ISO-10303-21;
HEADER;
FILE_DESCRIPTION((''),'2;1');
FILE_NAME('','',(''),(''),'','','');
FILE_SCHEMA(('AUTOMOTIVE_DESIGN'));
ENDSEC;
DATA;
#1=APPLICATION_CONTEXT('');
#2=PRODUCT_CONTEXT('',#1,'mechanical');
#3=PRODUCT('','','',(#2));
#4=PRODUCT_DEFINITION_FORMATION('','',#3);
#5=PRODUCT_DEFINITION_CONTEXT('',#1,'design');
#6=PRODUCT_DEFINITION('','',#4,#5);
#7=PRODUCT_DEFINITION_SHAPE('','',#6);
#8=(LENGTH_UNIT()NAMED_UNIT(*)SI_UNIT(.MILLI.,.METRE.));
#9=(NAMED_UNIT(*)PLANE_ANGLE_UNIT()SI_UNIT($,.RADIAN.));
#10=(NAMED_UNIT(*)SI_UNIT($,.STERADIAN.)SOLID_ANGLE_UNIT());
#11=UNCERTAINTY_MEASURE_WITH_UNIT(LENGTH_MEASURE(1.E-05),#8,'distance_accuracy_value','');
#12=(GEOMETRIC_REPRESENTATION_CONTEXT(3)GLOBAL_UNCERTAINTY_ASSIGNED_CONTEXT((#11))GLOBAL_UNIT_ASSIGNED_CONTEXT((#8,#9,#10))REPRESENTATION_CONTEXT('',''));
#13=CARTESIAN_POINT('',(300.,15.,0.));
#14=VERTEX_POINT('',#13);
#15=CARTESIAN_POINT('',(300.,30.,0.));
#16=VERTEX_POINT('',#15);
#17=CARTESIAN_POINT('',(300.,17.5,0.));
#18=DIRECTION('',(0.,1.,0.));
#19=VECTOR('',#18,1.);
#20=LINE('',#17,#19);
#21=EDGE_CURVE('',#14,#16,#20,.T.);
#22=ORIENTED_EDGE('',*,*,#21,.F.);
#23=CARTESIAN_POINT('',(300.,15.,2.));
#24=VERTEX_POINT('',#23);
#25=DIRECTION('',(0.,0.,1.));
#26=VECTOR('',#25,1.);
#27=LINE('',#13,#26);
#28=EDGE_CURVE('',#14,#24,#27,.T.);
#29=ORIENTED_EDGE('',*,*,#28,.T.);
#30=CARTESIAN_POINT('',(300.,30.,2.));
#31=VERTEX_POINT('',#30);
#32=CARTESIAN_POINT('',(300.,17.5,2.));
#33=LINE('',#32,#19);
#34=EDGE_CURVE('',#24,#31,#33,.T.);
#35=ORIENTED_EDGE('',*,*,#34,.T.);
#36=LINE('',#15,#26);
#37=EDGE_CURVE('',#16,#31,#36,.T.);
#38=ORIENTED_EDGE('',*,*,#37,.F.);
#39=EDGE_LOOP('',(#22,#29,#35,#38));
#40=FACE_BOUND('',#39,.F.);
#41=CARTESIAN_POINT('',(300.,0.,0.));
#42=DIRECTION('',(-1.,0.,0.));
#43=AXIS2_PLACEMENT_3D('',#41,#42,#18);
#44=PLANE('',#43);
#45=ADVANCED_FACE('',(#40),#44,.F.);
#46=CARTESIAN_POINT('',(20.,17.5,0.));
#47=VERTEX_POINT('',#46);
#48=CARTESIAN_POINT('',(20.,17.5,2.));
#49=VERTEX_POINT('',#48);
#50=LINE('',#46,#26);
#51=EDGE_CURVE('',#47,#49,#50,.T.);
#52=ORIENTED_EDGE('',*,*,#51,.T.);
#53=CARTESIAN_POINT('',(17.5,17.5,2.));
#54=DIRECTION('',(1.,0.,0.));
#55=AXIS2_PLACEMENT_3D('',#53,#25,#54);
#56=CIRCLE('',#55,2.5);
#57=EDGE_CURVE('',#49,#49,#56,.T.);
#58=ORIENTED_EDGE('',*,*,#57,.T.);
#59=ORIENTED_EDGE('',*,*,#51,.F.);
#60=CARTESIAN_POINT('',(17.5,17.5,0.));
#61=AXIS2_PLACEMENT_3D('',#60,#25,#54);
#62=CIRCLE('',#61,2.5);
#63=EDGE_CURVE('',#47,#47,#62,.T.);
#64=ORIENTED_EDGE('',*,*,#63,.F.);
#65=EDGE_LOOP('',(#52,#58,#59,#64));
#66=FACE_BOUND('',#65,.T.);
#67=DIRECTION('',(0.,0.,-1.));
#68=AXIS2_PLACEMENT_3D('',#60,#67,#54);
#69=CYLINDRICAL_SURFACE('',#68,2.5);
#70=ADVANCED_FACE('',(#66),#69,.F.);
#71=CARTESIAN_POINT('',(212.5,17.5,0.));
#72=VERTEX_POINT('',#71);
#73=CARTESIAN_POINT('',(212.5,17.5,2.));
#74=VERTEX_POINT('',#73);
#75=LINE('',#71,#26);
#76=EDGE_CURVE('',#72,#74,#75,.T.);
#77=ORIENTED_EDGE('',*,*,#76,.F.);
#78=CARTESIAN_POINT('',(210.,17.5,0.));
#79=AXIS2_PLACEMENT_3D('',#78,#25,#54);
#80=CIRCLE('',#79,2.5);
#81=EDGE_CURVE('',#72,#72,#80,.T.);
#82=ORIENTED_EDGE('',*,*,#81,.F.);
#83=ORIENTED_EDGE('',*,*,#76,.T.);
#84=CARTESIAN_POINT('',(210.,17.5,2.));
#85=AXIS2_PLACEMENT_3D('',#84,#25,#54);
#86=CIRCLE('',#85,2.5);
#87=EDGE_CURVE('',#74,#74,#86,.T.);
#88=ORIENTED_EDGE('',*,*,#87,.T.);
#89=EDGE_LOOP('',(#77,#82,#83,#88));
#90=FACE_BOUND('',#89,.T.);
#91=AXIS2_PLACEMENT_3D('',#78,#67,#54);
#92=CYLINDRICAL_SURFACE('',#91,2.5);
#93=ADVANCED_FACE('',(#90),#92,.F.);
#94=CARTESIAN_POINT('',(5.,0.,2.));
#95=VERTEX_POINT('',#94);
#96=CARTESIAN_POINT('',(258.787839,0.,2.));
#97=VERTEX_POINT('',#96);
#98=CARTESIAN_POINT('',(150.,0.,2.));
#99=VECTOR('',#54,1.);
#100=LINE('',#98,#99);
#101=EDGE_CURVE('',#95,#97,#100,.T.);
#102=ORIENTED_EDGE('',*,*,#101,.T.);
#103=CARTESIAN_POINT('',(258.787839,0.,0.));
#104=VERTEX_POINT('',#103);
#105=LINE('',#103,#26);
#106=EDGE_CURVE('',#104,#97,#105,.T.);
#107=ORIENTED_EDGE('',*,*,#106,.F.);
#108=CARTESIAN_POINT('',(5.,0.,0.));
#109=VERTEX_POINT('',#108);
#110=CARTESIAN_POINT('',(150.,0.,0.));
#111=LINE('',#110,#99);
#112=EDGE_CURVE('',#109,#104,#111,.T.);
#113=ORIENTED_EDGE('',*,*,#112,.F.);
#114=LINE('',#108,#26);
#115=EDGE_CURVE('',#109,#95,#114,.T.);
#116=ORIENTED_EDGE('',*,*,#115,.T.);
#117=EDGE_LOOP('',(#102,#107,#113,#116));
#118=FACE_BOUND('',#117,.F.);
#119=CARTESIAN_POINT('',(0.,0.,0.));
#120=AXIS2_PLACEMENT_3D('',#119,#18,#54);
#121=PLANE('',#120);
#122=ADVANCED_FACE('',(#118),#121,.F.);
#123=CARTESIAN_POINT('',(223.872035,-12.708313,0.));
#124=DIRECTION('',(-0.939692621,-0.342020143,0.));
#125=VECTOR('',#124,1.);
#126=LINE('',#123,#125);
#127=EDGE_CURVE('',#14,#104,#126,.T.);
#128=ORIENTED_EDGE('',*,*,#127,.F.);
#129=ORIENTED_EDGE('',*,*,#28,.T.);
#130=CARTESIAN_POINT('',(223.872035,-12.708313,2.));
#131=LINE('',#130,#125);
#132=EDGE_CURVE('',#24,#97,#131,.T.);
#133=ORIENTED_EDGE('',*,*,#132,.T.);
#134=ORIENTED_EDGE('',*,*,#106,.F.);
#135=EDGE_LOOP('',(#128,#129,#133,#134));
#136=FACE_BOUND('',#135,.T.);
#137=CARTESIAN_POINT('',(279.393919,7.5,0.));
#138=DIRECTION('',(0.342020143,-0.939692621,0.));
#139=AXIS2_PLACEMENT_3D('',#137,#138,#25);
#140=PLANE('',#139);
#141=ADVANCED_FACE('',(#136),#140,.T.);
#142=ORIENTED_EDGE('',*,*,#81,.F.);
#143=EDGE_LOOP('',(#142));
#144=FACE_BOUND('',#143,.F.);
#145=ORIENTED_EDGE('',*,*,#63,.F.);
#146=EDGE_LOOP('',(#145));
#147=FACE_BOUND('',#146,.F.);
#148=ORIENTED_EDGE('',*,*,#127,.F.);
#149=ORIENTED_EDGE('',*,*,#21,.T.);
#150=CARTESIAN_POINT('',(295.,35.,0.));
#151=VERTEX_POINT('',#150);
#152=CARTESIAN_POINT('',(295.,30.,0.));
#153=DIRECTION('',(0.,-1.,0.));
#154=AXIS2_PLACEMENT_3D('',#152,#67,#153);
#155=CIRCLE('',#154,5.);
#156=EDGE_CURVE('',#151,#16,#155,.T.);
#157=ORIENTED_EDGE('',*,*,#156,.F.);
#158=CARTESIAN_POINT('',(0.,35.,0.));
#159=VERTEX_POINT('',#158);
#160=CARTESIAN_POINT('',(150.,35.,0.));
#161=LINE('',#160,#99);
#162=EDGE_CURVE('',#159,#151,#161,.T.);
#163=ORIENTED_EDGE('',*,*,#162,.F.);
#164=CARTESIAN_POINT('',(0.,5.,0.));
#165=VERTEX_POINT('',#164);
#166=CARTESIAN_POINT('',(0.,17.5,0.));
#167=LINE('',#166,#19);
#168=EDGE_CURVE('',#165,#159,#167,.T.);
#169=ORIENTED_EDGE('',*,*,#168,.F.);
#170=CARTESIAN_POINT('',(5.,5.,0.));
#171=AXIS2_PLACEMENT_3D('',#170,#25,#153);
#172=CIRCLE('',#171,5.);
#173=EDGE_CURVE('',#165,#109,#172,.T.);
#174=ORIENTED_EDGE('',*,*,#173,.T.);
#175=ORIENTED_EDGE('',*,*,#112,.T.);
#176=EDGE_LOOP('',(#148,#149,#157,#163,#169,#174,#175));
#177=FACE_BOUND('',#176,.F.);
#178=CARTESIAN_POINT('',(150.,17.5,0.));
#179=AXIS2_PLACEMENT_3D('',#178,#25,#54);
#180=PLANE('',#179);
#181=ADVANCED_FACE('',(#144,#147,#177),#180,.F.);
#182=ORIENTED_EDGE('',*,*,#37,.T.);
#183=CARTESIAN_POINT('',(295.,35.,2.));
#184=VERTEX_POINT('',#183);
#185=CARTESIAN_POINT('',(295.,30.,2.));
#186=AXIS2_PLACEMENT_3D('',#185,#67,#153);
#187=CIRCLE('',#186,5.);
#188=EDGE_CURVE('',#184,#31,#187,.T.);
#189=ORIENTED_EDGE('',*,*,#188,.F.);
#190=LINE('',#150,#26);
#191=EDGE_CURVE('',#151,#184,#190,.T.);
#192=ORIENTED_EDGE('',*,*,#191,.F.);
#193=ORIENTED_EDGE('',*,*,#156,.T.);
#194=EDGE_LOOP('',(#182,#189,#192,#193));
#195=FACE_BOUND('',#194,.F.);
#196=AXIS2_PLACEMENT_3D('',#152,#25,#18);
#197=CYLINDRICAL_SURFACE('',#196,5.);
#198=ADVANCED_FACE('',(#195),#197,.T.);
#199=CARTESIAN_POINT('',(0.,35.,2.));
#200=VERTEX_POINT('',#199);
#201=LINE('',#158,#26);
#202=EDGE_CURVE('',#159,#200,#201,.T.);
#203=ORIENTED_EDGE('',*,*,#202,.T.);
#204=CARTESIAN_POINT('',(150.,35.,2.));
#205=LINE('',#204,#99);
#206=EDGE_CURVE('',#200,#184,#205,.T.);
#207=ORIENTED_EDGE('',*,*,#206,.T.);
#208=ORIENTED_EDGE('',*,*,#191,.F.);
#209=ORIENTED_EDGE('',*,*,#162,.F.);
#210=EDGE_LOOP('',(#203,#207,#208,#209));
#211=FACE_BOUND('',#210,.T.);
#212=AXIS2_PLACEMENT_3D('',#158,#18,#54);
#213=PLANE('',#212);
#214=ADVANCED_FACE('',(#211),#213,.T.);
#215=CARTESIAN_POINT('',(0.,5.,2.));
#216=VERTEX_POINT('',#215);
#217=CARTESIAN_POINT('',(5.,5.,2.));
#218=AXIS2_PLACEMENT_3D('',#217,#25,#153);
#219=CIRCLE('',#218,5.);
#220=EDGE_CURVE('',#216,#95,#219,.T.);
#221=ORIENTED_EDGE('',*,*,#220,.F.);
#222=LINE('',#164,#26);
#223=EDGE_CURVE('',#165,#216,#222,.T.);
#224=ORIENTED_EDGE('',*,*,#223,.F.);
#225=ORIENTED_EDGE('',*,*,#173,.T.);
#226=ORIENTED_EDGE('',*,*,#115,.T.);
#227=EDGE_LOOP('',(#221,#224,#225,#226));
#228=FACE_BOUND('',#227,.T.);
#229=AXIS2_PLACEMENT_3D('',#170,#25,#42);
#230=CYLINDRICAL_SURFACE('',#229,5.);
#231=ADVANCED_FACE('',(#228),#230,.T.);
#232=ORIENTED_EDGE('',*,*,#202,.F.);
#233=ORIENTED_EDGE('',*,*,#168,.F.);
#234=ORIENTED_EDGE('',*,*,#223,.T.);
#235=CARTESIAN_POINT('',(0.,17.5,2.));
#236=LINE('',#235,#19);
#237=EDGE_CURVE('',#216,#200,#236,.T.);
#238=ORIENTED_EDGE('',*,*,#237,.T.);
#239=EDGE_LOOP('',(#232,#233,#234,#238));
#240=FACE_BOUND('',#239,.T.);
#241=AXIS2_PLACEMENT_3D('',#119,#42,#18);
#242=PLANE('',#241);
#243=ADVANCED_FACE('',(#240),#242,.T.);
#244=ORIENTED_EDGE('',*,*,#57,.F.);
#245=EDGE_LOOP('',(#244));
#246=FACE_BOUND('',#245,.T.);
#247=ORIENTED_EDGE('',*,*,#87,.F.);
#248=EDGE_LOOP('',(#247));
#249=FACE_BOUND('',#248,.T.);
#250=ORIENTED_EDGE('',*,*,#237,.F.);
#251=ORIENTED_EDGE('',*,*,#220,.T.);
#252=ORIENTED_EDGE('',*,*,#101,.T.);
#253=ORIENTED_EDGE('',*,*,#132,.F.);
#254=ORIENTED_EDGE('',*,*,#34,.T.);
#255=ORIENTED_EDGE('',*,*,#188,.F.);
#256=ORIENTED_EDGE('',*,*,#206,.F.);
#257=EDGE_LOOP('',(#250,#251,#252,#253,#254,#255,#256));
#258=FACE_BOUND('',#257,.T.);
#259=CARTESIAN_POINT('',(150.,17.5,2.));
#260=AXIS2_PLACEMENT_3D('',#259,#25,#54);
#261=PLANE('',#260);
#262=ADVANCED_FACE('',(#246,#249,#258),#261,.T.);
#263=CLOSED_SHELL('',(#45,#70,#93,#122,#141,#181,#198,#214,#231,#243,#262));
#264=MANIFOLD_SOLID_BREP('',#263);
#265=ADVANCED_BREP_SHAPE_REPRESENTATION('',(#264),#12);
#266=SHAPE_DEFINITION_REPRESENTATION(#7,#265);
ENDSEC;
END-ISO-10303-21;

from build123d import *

# Parameters (mm, degrees)
F0_W     = 300
F0_H     = 35
F0_R     = 2.5
F1_DEPTH = 2
F2_R     = 5
F3_SIZE2 = 41.2121612918
F3_SIZE  = 15


with BuildPart() as f1:
    # F0 (on Top) → F1 (new body)
    with BuildSketch(Plane.XY):
        with Locations((150, 17.5)):
            Rectangle(F0_W, F0_H)
        with Locations((17.5, 17.5)):
            Circle(F0_R, mode=Mode.SUBTRACT)
        with Locations((210, 17.5)):
            Circle(F0_R, mode=Mode.SUBTRACT)
    extrude(amount=F1_DEPTH)

    # F2
    f2_edges = [f1.edges().sort_by_distance(p)[0] for p in [
        (0, 0, 1),
        (300, 35, 1),
    ]]
    fillet(f2_edges, radius=F2_R)

    # F3
    f3_edges = [f1.edges().sort_by_distance(p)[0] for p in [
        (300, 0, 1),
    ]]
    f3_side = f1.faces().sort_by_distance((300, 15, 1))[0]
    chamfer(f3_edges, length=F3_SIZE, length2=F3_SIZE2, reference=f3_side)


solid = f1.part
